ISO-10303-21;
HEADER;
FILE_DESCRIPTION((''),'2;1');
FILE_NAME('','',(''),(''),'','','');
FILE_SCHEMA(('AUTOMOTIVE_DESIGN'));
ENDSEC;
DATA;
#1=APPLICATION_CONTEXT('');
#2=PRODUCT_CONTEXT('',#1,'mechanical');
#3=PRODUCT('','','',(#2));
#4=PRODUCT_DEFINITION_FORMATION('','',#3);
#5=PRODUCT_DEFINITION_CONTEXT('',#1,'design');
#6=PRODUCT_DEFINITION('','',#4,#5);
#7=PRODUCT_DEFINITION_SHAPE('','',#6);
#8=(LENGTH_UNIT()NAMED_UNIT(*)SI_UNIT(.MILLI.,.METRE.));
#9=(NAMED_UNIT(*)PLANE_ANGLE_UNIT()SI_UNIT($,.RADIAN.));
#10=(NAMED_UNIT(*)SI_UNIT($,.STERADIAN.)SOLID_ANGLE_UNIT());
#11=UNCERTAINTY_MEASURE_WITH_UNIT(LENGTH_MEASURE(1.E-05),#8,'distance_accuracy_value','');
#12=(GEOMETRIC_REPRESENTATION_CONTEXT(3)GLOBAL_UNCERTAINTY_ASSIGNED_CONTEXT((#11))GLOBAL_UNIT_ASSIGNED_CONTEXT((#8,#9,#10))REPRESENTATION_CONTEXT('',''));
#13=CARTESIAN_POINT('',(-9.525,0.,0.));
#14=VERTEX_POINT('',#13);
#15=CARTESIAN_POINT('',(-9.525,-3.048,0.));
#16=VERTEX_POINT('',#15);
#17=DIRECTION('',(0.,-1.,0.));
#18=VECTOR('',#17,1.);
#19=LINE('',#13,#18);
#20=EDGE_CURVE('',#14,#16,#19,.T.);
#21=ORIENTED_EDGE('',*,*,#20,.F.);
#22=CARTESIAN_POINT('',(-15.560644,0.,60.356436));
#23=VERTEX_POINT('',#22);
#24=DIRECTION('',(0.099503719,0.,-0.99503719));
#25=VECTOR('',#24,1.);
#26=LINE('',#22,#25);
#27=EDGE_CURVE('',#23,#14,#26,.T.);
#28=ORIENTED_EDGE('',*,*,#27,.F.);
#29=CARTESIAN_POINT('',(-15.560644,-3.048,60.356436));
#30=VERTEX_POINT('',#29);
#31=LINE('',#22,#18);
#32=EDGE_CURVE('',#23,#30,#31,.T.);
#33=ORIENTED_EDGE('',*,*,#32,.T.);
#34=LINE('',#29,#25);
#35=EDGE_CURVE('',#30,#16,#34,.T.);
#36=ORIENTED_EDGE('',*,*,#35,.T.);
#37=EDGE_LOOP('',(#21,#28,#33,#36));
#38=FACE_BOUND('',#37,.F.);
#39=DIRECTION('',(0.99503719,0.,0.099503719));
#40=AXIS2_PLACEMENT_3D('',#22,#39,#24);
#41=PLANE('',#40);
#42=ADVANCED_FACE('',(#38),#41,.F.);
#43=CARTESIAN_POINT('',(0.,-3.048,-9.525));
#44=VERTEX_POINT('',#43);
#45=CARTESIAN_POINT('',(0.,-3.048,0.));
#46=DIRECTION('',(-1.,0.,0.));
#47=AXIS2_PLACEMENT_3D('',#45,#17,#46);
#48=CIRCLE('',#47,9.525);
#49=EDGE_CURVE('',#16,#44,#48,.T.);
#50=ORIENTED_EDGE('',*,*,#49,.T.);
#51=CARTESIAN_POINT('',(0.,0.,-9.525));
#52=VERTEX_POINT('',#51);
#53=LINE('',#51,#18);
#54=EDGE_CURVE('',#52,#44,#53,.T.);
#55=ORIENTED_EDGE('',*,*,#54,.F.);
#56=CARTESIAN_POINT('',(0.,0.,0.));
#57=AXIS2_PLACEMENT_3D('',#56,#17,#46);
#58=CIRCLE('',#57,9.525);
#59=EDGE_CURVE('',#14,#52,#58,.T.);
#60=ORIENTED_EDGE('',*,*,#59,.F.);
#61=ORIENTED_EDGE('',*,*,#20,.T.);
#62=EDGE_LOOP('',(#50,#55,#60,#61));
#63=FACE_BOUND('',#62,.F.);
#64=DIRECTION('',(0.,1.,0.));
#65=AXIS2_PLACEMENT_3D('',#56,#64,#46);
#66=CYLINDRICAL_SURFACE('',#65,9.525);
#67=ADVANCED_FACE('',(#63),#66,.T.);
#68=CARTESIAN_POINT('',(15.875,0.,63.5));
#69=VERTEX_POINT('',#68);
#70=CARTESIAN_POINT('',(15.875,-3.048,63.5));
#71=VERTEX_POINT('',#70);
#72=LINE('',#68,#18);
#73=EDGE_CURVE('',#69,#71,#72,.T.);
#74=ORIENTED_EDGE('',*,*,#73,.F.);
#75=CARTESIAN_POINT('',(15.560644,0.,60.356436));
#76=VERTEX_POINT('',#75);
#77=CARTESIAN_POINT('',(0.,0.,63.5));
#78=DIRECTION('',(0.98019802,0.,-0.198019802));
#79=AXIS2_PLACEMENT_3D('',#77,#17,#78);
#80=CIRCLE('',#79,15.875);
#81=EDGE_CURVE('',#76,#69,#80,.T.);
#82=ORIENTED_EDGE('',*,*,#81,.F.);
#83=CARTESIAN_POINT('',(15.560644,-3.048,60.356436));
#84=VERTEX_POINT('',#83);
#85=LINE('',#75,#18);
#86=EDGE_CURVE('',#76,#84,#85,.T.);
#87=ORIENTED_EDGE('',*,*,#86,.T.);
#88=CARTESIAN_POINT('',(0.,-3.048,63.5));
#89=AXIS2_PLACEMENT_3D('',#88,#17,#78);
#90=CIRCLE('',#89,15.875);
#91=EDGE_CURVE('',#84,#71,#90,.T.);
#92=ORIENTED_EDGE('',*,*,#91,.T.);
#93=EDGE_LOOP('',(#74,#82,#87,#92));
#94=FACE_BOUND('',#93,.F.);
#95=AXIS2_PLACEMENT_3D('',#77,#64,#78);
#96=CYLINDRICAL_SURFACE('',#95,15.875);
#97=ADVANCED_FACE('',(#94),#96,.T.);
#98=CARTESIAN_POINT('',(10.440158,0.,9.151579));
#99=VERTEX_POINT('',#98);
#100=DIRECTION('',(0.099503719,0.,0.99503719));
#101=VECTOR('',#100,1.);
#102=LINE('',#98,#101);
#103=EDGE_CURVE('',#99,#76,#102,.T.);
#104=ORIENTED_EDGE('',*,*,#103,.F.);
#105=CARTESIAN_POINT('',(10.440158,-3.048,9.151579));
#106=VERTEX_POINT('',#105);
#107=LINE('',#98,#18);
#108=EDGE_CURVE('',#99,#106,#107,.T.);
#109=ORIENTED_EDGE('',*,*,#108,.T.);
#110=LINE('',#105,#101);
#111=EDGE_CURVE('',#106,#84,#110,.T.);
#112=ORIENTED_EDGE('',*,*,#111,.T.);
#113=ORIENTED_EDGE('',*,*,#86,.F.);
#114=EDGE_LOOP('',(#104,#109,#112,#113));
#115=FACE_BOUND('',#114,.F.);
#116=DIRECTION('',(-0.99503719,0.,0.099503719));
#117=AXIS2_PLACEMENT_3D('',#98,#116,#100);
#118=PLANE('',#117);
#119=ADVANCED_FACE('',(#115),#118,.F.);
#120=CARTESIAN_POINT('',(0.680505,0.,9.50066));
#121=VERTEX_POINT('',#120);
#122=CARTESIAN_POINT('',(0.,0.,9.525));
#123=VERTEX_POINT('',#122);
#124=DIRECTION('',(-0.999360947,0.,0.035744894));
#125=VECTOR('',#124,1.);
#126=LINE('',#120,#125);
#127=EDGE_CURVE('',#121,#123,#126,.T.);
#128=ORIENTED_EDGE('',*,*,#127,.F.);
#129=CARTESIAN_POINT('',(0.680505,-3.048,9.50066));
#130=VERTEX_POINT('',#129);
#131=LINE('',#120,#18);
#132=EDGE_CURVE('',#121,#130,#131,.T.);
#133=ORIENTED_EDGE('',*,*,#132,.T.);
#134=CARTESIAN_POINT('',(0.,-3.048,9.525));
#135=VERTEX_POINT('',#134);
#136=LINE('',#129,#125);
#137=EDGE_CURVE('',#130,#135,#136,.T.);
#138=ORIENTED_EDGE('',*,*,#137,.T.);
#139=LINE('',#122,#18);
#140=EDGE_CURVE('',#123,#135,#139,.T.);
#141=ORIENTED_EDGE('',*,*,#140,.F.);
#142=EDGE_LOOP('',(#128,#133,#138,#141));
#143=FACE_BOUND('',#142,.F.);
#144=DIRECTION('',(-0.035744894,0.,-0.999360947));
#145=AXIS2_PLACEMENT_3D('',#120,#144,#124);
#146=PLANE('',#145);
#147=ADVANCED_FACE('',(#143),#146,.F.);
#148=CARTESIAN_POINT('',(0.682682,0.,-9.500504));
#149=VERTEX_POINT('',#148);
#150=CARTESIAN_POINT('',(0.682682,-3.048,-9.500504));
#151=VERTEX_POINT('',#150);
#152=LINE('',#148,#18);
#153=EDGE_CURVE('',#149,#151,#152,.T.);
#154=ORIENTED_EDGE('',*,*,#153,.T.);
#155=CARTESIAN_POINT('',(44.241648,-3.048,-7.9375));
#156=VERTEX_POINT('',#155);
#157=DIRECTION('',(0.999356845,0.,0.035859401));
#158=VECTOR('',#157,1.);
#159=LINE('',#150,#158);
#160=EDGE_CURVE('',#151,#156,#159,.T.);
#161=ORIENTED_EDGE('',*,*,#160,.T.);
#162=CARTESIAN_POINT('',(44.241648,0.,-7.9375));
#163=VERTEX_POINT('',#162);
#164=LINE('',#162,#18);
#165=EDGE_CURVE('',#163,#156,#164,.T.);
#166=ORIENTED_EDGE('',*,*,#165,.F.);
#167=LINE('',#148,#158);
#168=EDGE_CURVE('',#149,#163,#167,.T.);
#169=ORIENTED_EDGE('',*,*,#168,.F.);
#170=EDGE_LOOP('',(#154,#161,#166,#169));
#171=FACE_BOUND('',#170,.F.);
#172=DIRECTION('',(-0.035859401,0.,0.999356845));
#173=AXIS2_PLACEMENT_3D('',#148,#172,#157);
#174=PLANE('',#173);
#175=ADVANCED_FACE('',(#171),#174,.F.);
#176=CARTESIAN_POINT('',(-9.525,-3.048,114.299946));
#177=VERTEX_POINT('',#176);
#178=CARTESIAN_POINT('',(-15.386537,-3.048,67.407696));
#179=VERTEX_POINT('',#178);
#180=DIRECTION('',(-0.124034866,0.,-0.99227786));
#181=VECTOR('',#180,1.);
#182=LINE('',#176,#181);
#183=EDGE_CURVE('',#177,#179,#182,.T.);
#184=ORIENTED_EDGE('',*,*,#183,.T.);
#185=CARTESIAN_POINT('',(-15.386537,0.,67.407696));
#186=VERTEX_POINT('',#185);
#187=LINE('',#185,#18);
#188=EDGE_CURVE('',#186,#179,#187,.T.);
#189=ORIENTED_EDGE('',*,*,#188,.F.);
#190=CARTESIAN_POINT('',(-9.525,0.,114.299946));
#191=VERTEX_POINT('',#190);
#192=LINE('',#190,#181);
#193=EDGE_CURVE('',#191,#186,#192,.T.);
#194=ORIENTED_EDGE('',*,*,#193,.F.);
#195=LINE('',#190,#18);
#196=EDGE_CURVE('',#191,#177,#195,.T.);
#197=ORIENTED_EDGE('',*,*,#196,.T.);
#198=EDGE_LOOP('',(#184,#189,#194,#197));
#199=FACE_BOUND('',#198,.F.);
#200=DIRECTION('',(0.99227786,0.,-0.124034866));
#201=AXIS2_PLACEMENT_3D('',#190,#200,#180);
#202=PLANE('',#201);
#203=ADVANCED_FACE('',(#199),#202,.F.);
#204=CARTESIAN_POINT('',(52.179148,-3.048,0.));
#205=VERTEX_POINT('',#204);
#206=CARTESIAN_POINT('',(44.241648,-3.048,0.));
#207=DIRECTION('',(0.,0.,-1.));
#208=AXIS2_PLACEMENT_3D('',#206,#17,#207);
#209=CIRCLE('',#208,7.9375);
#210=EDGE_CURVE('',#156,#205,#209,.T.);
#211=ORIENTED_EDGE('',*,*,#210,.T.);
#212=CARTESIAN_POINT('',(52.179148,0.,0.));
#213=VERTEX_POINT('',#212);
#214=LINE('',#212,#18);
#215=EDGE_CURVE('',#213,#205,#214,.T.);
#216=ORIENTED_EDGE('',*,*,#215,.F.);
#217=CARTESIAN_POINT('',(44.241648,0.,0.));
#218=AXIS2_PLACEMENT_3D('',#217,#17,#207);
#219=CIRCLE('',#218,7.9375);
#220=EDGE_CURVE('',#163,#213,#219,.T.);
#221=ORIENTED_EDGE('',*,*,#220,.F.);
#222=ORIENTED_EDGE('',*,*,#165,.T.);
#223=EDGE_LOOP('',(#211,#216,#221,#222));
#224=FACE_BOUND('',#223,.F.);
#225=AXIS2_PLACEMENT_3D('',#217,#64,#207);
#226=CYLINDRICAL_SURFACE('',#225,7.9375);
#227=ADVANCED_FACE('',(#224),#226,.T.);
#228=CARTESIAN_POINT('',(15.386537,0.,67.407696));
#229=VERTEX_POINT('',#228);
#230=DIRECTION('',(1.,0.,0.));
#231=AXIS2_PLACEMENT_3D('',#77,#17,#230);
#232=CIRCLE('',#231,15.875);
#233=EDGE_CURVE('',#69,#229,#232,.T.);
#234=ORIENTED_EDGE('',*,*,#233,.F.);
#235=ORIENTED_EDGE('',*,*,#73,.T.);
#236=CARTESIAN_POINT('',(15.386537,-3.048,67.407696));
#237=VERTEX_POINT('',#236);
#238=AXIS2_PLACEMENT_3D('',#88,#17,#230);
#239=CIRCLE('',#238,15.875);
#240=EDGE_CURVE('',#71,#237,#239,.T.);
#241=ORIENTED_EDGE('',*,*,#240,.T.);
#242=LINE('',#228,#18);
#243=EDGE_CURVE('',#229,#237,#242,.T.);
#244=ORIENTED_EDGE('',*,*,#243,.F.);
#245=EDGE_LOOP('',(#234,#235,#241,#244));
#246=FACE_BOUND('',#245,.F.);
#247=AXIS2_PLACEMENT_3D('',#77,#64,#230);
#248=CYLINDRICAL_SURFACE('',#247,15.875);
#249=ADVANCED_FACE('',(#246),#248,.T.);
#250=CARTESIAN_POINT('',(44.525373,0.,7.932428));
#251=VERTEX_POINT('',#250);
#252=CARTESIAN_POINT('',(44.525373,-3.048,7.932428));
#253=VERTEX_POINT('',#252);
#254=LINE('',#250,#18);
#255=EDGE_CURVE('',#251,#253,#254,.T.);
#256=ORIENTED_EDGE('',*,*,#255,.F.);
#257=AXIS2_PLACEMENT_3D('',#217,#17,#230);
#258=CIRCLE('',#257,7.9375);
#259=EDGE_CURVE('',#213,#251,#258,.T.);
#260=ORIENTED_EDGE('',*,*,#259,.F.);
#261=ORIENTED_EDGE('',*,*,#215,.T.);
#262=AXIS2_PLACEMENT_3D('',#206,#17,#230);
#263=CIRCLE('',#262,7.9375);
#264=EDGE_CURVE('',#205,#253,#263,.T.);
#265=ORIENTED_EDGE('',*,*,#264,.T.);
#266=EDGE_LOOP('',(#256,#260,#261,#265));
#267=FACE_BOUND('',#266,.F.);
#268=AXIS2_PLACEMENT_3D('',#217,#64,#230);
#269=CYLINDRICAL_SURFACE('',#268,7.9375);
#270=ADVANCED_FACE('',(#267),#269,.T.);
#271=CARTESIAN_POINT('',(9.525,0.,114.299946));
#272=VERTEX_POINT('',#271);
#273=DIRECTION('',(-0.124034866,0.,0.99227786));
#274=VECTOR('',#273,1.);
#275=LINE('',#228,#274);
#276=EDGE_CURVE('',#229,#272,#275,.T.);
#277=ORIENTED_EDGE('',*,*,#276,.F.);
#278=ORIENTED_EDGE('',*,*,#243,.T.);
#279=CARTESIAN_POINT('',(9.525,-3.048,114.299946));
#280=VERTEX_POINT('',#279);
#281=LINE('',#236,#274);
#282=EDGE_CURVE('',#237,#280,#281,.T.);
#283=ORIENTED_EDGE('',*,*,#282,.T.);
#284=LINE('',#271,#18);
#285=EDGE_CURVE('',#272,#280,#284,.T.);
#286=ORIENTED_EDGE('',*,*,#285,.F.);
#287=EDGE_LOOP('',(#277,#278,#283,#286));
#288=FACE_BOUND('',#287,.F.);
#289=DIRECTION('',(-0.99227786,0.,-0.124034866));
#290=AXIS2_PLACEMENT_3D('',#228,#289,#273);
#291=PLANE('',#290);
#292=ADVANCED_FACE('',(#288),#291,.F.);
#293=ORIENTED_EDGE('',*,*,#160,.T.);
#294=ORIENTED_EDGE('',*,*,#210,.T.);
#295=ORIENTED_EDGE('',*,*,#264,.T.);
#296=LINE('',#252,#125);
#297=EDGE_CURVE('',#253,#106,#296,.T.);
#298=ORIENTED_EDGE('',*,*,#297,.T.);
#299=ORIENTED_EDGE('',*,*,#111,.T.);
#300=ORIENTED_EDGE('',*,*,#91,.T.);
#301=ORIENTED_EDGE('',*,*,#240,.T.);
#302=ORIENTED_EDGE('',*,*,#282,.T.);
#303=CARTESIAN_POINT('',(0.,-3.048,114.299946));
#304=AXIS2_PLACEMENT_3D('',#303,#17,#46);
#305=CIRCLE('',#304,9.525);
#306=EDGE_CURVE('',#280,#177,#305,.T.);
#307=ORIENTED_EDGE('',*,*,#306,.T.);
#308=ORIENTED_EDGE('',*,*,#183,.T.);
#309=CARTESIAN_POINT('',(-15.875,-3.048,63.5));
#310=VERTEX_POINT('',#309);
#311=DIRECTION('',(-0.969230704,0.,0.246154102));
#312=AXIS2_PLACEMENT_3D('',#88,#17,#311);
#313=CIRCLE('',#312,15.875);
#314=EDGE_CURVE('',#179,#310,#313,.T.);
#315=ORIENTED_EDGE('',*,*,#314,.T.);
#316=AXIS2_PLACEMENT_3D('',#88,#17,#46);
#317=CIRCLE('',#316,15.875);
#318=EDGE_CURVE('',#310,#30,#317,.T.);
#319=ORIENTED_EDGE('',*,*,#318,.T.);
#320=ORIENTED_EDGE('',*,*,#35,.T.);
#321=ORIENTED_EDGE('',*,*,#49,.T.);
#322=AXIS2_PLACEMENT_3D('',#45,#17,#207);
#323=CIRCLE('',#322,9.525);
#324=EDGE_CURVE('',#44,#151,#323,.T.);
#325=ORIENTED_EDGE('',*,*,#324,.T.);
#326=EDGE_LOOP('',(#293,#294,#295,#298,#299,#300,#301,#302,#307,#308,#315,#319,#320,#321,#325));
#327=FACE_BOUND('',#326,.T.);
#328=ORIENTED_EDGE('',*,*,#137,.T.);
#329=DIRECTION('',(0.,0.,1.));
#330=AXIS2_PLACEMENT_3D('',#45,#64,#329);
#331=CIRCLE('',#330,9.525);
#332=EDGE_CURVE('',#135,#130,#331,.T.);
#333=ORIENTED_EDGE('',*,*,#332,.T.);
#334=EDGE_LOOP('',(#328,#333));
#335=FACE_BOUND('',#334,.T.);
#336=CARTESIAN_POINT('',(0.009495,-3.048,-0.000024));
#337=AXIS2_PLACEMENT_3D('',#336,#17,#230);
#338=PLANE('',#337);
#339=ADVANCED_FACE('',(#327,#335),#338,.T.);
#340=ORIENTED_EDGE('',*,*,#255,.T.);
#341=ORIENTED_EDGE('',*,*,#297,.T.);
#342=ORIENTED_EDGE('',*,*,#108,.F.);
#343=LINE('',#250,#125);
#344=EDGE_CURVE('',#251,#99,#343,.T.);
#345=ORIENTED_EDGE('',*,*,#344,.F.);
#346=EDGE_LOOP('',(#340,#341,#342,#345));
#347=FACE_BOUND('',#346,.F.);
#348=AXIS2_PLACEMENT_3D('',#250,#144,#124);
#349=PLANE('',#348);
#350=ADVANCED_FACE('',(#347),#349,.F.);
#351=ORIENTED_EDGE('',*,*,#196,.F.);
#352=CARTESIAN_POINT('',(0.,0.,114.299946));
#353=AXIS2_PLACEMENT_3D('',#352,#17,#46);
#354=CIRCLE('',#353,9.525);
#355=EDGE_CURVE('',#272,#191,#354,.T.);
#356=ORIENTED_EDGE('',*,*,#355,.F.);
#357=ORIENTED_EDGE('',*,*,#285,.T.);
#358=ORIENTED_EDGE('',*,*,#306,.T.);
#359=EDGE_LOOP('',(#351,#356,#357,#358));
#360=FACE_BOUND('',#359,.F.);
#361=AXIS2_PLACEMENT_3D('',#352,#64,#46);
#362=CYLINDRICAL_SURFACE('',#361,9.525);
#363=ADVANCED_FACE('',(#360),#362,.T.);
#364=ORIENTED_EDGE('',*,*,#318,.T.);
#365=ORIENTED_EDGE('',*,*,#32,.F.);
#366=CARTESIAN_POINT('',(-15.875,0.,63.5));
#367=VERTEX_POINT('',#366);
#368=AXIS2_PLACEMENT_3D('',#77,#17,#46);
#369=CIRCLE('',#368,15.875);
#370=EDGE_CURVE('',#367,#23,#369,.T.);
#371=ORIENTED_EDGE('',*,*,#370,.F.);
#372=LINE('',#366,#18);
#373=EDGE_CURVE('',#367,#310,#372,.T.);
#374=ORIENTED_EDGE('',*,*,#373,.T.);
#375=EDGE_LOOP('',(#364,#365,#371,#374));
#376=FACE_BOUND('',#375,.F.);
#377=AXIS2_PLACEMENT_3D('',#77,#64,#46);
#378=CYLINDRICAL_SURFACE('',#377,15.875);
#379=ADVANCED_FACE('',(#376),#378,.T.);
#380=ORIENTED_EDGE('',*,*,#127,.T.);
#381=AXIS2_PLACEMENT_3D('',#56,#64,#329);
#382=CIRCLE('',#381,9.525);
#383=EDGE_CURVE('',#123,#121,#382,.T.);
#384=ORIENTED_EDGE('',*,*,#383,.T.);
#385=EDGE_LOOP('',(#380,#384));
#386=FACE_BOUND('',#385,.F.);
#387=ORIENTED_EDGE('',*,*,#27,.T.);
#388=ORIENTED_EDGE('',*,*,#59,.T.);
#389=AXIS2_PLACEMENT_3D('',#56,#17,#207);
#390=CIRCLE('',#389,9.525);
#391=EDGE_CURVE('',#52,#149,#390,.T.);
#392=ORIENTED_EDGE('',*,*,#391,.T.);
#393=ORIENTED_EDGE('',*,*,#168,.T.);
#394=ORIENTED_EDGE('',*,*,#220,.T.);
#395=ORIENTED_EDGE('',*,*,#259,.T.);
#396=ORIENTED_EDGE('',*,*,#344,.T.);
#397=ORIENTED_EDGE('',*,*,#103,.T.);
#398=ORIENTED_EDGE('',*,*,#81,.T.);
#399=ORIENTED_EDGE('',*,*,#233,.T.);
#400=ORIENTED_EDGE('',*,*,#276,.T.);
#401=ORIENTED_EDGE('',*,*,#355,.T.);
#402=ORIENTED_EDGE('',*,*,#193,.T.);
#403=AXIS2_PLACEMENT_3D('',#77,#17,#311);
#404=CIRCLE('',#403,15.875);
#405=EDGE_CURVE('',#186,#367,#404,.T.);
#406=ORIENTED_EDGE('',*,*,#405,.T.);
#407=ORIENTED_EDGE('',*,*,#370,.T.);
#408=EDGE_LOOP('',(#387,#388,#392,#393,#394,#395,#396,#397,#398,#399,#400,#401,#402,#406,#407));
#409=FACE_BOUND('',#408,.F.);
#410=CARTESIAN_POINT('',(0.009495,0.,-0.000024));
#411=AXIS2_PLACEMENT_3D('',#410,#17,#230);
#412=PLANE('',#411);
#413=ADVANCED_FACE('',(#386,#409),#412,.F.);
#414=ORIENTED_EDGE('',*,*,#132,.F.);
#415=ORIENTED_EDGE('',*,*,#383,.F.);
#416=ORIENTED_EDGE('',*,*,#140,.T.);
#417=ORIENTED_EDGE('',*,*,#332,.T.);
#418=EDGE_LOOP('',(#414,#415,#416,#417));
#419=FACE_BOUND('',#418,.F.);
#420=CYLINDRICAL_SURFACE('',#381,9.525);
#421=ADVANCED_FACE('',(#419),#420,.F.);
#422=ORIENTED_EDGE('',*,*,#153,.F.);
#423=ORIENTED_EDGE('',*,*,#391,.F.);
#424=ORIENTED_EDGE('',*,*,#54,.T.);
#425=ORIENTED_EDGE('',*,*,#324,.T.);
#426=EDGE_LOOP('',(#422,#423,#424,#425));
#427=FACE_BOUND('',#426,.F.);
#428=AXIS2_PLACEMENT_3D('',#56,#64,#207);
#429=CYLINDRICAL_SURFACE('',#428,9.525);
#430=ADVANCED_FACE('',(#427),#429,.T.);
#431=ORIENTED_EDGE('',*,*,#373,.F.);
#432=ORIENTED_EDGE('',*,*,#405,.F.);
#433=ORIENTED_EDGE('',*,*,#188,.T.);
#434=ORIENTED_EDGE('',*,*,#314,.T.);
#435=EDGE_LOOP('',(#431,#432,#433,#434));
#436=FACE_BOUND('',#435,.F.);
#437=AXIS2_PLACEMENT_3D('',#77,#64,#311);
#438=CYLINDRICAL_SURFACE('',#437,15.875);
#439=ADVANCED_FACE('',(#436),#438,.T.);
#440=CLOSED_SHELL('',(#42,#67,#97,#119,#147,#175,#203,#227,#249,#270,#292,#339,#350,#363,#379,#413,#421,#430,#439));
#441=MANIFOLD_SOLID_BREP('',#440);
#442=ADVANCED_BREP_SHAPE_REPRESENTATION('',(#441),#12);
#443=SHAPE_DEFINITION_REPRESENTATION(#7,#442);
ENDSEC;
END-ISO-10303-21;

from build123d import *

# Parameters (mm, degrees)
F3_DEPTH = 3.048


with BuildPart() as f3:
    # F1 (on Front) → F3 (new body)
    with BuildSketch(Plane.XZ):
        with BuildLine():
            Line((0.6805050725, 9.5006598637), (0, 9.525))
            ThreePointArc((0, 9.525), (-6.7351920908, 6.7351920908), (-9.525, 0))
            ThreePointArc((-9.525, 0), (-6.7351920908, -6.7351920908), (0, -9.525))
            Line((0, -9.525), (0.682682231, -9.5005036694))
            ThreePointArc((0.682682231, -9.5005036694), (6.9723802697, -6.4893403651), (9.525, 0))
            ThreePointArc((9.525, 0), (6.9716366735, 6.4901392198), (0.6805050725, 9.5006598637))
        make_face()
        with BuildLine():
            ThreePointArc((-9.525, 0), (-6.7351920908, 6.7351920908), (0, 9.525))
            ThreePointArc((0, 9.525), (0.3404701147, 9.518913021), (0.6805050725, 9.5006598637))
            Line((0.6805050725, 9.5006598637), (10.4401579027, 9.1515790274))
            Line((10.4401579027, 9.1515790274), (15.5606435644, 60.3564356436))
            ThreePointArc((15.5606435644, 60.3564356436), (0, 47.625), (-15.5606435644, 60.3564356436))
            Line((-15.5606435644, 60.3564356436), (-9.525, 0))
        make_face()
        with BuildLine():
            Line((10.4401579027, 9.1515790274), (0.6805050725, 9.5006598637))
            ThreePointArc((0.6805050725, 9.5006598637), (6.9716366735, 6.4901392198), (9.525, 0))
            Line((9.525, 0), (10.4401579027, 9.1515790274))
        make_face()
        with BuildLine():
            Line((0.682682231, -9.5005036694), (0, -9.525))
            ThreePointArc((0, -9.525), (0.3415607921, -9.5188739473), (0.682682231, -9.5005036694))
        make_face()
        with BuildLine():
            Line((-15.875, 63.5), (-15.5606435644, 60.3564356436))
            ThreePointArc((-15.5606435644, 60.3564356436), (0, 47.625), (15.5606435644, 60.3564356436))
            Line((15.5606435644, 60.3564356436), (15.875, 63.5))
            Line((15.875, 63.5), (15.3865374302, 67.4076963685))
            ThreePointArc((15.3865374302, 67.4076963685), (0, 79.375), (-15.3865374302, 67.4076963685))
            Line((-15.3865374302, 67.4076963685), (-15.875, 63.5))
        make_face()
        with BuildLine():
            ThreePointArc((-15.875, 63.5), (-15.7962153946, 61.9203784605), (-15.5606435644, 60.3564356436))
            Line((-15.5606435644, 60.3564356436), (-15.875, 63.5))
        make_face()
        with BuildLine():
            Line((10.4401579027, 9.1515790274), (9.525, 0))
            ThreePointArc((9.525, 0), (6.9723802697, -6.4893403651), (0.682682231, -9.5005036694))
            Line((0.682682231, -9.5005036694), (44.2416481674, -7.9375))
            ThreePointArc((44.2416481674, -7.9375), (36.3054163893, 0.1418852176), (44.5253732629, 7.9324275175))
            Line((44.5253732629, 7.9324275175), (10.4401579027, 9.1515790274))
        make_face()
        with BuildLine():
            ThreePointArc((-15.3865374302, 67.4076963685), (-15.752411033, 65.4690534903), (-15.875, 63.5))
            Line((-15.875, 63.5), (-15.3865374302, 67.4076963685))
        make_face()
        with BuildLine():
            Line((15.875, 63.5), (15.5606435644, 60.3564356436))
            ThreePointArc((15.5606435644, 60.3564356436), (15.7962153946, 61.9203784605), (15.875, 63.5))
        make_face()
        with BuildLine():
            ThreePointArc((52.1791481674, 0), (49.9537394742, 5.5114353078), (44.5253732629, 7.9324275175))
            ThreePointArc((44.5253732629, 7.9324275175), (36.3054163893, 0.1418852176), (44.2416481674, -7.9375))
            ThreePointArc((44.2416481674, -7.9375), (49.854308243, -5.6126600757), (52.1791481674, 0))
        make_face()
        with BuildLine():
            Line((-9.525, 114.2999455333), (-15.3865374302, 67.4076963685))
            ThreePointArc((-15.3865374302, 67.4076963685), (0, 79.375), (15.3865374302, 67.4076963685))
            Line((15.3865374302, 67.4076963685), (9.525, 114.2999455333))
            ThreePointArc((9.525, 114.2999455333), (0, 104.7749455333), (-9.525, 114.2999455333))
        make_face()
        with BuildLine():
            Line((15.3865374302, 67.4076963685), (15.875, 63.5))
            ThreePointArc((15.875, 63.5), (15.752411033, 65.4690534903), (15.3865374302, 67.4076963685))
        make_face()
        with BuildLine():
            ThreePointArc((9.525, 114.2999455333), (0, 123.8249455333), (-9.525, 114.2999455333))
            ThreePointArc((-9.525, 114.2999455333), (0, 104.7749455333), (9.525, 114.2999455333))
        make_face()
    extrude(amount=F3_DEPTH)


solid = f3.part
